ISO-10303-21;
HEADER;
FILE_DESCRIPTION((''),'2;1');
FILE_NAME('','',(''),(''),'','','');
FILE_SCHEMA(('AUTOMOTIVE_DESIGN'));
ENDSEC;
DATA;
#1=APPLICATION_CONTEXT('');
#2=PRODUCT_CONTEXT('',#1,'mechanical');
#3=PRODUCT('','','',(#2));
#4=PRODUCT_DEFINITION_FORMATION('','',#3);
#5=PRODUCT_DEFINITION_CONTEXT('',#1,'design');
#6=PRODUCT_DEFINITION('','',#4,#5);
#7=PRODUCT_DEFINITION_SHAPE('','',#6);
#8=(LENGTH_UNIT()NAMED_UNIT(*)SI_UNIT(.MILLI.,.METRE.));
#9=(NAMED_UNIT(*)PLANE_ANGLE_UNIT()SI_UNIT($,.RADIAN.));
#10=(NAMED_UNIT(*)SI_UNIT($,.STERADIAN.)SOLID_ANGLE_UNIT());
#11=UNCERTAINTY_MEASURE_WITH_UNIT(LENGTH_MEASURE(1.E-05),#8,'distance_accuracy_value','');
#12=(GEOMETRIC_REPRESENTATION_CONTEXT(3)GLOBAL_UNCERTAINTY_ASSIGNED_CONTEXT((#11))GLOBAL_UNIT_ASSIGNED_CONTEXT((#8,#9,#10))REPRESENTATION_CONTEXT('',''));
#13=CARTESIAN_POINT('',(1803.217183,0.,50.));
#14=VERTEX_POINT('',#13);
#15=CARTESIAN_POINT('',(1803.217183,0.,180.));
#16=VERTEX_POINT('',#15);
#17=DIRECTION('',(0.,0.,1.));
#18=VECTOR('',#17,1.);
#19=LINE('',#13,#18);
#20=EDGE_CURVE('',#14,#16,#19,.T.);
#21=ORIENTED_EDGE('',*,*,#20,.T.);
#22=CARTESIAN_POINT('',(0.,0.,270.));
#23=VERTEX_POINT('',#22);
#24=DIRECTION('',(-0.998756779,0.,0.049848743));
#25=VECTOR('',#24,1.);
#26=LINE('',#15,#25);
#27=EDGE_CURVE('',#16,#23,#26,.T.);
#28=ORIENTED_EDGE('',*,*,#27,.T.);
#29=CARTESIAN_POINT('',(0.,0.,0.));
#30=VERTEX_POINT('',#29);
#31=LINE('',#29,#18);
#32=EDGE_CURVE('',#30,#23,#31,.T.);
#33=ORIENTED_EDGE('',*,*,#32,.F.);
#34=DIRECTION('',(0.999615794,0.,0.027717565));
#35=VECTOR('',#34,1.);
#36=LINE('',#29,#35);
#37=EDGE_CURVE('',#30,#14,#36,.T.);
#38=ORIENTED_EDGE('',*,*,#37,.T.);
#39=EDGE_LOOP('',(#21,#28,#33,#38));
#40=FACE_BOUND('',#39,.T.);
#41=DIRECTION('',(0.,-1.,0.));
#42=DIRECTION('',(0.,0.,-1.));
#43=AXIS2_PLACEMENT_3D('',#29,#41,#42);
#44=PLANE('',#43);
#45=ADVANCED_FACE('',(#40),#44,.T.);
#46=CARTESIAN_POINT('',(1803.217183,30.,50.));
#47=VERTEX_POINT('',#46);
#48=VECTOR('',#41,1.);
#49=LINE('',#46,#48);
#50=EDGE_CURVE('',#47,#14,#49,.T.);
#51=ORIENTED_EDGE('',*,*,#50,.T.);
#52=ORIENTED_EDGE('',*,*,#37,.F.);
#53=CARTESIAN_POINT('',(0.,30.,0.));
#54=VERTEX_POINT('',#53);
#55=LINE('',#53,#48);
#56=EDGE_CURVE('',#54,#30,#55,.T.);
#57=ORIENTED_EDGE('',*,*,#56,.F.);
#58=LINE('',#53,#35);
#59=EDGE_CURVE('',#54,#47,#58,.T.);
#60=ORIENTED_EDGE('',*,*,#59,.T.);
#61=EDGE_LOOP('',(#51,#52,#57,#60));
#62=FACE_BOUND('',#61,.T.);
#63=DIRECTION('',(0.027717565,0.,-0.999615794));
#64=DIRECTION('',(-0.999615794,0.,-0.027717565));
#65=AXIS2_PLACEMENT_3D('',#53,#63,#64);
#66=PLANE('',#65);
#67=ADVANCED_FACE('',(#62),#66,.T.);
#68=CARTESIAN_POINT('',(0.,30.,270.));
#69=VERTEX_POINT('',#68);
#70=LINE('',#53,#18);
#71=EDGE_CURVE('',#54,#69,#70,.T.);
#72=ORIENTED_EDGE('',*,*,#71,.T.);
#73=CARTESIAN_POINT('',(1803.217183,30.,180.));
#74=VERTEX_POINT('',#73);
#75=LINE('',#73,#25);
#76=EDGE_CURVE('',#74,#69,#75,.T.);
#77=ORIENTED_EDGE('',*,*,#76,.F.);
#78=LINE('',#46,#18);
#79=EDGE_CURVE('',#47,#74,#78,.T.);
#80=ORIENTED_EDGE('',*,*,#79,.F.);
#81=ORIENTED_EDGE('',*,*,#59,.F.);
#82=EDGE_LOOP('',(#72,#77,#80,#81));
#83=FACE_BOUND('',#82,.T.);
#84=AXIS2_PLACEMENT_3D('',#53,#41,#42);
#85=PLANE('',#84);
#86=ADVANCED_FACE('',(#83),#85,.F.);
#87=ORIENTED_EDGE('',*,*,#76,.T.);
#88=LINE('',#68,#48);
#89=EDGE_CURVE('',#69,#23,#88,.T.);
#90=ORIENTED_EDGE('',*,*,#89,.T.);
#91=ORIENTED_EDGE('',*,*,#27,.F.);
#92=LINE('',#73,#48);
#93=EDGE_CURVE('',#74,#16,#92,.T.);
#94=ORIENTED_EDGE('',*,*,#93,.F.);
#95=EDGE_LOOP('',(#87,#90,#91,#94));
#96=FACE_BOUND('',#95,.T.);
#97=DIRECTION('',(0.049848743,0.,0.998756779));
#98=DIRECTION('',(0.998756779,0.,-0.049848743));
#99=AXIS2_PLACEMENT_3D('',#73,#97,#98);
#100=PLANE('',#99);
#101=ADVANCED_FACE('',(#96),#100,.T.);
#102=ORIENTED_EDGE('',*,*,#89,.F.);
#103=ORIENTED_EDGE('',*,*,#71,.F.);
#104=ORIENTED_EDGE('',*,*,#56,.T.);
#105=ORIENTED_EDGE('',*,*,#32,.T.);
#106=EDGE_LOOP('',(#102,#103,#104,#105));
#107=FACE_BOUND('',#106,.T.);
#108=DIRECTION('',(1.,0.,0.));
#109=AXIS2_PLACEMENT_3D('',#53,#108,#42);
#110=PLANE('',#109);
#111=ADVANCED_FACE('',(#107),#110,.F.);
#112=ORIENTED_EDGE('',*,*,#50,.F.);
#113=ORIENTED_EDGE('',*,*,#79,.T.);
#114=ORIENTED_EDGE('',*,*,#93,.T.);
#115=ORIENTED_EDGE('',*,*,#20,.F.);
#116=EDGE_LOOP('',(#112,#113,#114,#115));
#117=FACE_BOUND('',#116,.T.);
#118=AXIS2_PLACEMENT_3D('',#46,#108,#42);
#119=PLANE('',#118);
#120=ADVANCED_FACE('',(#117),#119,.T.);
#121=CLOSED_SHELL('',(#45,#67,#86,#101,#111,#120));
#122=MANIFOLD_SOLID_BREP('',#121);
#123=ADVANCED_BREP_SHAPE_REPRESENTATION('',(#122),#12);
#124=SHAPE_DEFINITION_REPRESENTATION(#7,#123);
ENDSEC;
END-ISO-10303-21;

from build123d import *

# Parameters (mm, degrees)
AUFSATZ_LINEAR_AUSTRAGEN1_DEPTH = 30


with BuildPart() as part:
    # Skizze2 → Aufsatz-Linear austragen1 (new body)
    with BuildSketch(Plane(origin=(0, 0, 0), x_dir=(1, 0, 0), z_dir=(0, 1, 0))):
        Polygon((0, 0), (0, -270), (1803.217183174, -180), (1803.217183174, -50), align=None)
    extrude(amount=AUFSATZ_LINEAR_AUSTRAGEN1_DEPTH)


solid = part.part
